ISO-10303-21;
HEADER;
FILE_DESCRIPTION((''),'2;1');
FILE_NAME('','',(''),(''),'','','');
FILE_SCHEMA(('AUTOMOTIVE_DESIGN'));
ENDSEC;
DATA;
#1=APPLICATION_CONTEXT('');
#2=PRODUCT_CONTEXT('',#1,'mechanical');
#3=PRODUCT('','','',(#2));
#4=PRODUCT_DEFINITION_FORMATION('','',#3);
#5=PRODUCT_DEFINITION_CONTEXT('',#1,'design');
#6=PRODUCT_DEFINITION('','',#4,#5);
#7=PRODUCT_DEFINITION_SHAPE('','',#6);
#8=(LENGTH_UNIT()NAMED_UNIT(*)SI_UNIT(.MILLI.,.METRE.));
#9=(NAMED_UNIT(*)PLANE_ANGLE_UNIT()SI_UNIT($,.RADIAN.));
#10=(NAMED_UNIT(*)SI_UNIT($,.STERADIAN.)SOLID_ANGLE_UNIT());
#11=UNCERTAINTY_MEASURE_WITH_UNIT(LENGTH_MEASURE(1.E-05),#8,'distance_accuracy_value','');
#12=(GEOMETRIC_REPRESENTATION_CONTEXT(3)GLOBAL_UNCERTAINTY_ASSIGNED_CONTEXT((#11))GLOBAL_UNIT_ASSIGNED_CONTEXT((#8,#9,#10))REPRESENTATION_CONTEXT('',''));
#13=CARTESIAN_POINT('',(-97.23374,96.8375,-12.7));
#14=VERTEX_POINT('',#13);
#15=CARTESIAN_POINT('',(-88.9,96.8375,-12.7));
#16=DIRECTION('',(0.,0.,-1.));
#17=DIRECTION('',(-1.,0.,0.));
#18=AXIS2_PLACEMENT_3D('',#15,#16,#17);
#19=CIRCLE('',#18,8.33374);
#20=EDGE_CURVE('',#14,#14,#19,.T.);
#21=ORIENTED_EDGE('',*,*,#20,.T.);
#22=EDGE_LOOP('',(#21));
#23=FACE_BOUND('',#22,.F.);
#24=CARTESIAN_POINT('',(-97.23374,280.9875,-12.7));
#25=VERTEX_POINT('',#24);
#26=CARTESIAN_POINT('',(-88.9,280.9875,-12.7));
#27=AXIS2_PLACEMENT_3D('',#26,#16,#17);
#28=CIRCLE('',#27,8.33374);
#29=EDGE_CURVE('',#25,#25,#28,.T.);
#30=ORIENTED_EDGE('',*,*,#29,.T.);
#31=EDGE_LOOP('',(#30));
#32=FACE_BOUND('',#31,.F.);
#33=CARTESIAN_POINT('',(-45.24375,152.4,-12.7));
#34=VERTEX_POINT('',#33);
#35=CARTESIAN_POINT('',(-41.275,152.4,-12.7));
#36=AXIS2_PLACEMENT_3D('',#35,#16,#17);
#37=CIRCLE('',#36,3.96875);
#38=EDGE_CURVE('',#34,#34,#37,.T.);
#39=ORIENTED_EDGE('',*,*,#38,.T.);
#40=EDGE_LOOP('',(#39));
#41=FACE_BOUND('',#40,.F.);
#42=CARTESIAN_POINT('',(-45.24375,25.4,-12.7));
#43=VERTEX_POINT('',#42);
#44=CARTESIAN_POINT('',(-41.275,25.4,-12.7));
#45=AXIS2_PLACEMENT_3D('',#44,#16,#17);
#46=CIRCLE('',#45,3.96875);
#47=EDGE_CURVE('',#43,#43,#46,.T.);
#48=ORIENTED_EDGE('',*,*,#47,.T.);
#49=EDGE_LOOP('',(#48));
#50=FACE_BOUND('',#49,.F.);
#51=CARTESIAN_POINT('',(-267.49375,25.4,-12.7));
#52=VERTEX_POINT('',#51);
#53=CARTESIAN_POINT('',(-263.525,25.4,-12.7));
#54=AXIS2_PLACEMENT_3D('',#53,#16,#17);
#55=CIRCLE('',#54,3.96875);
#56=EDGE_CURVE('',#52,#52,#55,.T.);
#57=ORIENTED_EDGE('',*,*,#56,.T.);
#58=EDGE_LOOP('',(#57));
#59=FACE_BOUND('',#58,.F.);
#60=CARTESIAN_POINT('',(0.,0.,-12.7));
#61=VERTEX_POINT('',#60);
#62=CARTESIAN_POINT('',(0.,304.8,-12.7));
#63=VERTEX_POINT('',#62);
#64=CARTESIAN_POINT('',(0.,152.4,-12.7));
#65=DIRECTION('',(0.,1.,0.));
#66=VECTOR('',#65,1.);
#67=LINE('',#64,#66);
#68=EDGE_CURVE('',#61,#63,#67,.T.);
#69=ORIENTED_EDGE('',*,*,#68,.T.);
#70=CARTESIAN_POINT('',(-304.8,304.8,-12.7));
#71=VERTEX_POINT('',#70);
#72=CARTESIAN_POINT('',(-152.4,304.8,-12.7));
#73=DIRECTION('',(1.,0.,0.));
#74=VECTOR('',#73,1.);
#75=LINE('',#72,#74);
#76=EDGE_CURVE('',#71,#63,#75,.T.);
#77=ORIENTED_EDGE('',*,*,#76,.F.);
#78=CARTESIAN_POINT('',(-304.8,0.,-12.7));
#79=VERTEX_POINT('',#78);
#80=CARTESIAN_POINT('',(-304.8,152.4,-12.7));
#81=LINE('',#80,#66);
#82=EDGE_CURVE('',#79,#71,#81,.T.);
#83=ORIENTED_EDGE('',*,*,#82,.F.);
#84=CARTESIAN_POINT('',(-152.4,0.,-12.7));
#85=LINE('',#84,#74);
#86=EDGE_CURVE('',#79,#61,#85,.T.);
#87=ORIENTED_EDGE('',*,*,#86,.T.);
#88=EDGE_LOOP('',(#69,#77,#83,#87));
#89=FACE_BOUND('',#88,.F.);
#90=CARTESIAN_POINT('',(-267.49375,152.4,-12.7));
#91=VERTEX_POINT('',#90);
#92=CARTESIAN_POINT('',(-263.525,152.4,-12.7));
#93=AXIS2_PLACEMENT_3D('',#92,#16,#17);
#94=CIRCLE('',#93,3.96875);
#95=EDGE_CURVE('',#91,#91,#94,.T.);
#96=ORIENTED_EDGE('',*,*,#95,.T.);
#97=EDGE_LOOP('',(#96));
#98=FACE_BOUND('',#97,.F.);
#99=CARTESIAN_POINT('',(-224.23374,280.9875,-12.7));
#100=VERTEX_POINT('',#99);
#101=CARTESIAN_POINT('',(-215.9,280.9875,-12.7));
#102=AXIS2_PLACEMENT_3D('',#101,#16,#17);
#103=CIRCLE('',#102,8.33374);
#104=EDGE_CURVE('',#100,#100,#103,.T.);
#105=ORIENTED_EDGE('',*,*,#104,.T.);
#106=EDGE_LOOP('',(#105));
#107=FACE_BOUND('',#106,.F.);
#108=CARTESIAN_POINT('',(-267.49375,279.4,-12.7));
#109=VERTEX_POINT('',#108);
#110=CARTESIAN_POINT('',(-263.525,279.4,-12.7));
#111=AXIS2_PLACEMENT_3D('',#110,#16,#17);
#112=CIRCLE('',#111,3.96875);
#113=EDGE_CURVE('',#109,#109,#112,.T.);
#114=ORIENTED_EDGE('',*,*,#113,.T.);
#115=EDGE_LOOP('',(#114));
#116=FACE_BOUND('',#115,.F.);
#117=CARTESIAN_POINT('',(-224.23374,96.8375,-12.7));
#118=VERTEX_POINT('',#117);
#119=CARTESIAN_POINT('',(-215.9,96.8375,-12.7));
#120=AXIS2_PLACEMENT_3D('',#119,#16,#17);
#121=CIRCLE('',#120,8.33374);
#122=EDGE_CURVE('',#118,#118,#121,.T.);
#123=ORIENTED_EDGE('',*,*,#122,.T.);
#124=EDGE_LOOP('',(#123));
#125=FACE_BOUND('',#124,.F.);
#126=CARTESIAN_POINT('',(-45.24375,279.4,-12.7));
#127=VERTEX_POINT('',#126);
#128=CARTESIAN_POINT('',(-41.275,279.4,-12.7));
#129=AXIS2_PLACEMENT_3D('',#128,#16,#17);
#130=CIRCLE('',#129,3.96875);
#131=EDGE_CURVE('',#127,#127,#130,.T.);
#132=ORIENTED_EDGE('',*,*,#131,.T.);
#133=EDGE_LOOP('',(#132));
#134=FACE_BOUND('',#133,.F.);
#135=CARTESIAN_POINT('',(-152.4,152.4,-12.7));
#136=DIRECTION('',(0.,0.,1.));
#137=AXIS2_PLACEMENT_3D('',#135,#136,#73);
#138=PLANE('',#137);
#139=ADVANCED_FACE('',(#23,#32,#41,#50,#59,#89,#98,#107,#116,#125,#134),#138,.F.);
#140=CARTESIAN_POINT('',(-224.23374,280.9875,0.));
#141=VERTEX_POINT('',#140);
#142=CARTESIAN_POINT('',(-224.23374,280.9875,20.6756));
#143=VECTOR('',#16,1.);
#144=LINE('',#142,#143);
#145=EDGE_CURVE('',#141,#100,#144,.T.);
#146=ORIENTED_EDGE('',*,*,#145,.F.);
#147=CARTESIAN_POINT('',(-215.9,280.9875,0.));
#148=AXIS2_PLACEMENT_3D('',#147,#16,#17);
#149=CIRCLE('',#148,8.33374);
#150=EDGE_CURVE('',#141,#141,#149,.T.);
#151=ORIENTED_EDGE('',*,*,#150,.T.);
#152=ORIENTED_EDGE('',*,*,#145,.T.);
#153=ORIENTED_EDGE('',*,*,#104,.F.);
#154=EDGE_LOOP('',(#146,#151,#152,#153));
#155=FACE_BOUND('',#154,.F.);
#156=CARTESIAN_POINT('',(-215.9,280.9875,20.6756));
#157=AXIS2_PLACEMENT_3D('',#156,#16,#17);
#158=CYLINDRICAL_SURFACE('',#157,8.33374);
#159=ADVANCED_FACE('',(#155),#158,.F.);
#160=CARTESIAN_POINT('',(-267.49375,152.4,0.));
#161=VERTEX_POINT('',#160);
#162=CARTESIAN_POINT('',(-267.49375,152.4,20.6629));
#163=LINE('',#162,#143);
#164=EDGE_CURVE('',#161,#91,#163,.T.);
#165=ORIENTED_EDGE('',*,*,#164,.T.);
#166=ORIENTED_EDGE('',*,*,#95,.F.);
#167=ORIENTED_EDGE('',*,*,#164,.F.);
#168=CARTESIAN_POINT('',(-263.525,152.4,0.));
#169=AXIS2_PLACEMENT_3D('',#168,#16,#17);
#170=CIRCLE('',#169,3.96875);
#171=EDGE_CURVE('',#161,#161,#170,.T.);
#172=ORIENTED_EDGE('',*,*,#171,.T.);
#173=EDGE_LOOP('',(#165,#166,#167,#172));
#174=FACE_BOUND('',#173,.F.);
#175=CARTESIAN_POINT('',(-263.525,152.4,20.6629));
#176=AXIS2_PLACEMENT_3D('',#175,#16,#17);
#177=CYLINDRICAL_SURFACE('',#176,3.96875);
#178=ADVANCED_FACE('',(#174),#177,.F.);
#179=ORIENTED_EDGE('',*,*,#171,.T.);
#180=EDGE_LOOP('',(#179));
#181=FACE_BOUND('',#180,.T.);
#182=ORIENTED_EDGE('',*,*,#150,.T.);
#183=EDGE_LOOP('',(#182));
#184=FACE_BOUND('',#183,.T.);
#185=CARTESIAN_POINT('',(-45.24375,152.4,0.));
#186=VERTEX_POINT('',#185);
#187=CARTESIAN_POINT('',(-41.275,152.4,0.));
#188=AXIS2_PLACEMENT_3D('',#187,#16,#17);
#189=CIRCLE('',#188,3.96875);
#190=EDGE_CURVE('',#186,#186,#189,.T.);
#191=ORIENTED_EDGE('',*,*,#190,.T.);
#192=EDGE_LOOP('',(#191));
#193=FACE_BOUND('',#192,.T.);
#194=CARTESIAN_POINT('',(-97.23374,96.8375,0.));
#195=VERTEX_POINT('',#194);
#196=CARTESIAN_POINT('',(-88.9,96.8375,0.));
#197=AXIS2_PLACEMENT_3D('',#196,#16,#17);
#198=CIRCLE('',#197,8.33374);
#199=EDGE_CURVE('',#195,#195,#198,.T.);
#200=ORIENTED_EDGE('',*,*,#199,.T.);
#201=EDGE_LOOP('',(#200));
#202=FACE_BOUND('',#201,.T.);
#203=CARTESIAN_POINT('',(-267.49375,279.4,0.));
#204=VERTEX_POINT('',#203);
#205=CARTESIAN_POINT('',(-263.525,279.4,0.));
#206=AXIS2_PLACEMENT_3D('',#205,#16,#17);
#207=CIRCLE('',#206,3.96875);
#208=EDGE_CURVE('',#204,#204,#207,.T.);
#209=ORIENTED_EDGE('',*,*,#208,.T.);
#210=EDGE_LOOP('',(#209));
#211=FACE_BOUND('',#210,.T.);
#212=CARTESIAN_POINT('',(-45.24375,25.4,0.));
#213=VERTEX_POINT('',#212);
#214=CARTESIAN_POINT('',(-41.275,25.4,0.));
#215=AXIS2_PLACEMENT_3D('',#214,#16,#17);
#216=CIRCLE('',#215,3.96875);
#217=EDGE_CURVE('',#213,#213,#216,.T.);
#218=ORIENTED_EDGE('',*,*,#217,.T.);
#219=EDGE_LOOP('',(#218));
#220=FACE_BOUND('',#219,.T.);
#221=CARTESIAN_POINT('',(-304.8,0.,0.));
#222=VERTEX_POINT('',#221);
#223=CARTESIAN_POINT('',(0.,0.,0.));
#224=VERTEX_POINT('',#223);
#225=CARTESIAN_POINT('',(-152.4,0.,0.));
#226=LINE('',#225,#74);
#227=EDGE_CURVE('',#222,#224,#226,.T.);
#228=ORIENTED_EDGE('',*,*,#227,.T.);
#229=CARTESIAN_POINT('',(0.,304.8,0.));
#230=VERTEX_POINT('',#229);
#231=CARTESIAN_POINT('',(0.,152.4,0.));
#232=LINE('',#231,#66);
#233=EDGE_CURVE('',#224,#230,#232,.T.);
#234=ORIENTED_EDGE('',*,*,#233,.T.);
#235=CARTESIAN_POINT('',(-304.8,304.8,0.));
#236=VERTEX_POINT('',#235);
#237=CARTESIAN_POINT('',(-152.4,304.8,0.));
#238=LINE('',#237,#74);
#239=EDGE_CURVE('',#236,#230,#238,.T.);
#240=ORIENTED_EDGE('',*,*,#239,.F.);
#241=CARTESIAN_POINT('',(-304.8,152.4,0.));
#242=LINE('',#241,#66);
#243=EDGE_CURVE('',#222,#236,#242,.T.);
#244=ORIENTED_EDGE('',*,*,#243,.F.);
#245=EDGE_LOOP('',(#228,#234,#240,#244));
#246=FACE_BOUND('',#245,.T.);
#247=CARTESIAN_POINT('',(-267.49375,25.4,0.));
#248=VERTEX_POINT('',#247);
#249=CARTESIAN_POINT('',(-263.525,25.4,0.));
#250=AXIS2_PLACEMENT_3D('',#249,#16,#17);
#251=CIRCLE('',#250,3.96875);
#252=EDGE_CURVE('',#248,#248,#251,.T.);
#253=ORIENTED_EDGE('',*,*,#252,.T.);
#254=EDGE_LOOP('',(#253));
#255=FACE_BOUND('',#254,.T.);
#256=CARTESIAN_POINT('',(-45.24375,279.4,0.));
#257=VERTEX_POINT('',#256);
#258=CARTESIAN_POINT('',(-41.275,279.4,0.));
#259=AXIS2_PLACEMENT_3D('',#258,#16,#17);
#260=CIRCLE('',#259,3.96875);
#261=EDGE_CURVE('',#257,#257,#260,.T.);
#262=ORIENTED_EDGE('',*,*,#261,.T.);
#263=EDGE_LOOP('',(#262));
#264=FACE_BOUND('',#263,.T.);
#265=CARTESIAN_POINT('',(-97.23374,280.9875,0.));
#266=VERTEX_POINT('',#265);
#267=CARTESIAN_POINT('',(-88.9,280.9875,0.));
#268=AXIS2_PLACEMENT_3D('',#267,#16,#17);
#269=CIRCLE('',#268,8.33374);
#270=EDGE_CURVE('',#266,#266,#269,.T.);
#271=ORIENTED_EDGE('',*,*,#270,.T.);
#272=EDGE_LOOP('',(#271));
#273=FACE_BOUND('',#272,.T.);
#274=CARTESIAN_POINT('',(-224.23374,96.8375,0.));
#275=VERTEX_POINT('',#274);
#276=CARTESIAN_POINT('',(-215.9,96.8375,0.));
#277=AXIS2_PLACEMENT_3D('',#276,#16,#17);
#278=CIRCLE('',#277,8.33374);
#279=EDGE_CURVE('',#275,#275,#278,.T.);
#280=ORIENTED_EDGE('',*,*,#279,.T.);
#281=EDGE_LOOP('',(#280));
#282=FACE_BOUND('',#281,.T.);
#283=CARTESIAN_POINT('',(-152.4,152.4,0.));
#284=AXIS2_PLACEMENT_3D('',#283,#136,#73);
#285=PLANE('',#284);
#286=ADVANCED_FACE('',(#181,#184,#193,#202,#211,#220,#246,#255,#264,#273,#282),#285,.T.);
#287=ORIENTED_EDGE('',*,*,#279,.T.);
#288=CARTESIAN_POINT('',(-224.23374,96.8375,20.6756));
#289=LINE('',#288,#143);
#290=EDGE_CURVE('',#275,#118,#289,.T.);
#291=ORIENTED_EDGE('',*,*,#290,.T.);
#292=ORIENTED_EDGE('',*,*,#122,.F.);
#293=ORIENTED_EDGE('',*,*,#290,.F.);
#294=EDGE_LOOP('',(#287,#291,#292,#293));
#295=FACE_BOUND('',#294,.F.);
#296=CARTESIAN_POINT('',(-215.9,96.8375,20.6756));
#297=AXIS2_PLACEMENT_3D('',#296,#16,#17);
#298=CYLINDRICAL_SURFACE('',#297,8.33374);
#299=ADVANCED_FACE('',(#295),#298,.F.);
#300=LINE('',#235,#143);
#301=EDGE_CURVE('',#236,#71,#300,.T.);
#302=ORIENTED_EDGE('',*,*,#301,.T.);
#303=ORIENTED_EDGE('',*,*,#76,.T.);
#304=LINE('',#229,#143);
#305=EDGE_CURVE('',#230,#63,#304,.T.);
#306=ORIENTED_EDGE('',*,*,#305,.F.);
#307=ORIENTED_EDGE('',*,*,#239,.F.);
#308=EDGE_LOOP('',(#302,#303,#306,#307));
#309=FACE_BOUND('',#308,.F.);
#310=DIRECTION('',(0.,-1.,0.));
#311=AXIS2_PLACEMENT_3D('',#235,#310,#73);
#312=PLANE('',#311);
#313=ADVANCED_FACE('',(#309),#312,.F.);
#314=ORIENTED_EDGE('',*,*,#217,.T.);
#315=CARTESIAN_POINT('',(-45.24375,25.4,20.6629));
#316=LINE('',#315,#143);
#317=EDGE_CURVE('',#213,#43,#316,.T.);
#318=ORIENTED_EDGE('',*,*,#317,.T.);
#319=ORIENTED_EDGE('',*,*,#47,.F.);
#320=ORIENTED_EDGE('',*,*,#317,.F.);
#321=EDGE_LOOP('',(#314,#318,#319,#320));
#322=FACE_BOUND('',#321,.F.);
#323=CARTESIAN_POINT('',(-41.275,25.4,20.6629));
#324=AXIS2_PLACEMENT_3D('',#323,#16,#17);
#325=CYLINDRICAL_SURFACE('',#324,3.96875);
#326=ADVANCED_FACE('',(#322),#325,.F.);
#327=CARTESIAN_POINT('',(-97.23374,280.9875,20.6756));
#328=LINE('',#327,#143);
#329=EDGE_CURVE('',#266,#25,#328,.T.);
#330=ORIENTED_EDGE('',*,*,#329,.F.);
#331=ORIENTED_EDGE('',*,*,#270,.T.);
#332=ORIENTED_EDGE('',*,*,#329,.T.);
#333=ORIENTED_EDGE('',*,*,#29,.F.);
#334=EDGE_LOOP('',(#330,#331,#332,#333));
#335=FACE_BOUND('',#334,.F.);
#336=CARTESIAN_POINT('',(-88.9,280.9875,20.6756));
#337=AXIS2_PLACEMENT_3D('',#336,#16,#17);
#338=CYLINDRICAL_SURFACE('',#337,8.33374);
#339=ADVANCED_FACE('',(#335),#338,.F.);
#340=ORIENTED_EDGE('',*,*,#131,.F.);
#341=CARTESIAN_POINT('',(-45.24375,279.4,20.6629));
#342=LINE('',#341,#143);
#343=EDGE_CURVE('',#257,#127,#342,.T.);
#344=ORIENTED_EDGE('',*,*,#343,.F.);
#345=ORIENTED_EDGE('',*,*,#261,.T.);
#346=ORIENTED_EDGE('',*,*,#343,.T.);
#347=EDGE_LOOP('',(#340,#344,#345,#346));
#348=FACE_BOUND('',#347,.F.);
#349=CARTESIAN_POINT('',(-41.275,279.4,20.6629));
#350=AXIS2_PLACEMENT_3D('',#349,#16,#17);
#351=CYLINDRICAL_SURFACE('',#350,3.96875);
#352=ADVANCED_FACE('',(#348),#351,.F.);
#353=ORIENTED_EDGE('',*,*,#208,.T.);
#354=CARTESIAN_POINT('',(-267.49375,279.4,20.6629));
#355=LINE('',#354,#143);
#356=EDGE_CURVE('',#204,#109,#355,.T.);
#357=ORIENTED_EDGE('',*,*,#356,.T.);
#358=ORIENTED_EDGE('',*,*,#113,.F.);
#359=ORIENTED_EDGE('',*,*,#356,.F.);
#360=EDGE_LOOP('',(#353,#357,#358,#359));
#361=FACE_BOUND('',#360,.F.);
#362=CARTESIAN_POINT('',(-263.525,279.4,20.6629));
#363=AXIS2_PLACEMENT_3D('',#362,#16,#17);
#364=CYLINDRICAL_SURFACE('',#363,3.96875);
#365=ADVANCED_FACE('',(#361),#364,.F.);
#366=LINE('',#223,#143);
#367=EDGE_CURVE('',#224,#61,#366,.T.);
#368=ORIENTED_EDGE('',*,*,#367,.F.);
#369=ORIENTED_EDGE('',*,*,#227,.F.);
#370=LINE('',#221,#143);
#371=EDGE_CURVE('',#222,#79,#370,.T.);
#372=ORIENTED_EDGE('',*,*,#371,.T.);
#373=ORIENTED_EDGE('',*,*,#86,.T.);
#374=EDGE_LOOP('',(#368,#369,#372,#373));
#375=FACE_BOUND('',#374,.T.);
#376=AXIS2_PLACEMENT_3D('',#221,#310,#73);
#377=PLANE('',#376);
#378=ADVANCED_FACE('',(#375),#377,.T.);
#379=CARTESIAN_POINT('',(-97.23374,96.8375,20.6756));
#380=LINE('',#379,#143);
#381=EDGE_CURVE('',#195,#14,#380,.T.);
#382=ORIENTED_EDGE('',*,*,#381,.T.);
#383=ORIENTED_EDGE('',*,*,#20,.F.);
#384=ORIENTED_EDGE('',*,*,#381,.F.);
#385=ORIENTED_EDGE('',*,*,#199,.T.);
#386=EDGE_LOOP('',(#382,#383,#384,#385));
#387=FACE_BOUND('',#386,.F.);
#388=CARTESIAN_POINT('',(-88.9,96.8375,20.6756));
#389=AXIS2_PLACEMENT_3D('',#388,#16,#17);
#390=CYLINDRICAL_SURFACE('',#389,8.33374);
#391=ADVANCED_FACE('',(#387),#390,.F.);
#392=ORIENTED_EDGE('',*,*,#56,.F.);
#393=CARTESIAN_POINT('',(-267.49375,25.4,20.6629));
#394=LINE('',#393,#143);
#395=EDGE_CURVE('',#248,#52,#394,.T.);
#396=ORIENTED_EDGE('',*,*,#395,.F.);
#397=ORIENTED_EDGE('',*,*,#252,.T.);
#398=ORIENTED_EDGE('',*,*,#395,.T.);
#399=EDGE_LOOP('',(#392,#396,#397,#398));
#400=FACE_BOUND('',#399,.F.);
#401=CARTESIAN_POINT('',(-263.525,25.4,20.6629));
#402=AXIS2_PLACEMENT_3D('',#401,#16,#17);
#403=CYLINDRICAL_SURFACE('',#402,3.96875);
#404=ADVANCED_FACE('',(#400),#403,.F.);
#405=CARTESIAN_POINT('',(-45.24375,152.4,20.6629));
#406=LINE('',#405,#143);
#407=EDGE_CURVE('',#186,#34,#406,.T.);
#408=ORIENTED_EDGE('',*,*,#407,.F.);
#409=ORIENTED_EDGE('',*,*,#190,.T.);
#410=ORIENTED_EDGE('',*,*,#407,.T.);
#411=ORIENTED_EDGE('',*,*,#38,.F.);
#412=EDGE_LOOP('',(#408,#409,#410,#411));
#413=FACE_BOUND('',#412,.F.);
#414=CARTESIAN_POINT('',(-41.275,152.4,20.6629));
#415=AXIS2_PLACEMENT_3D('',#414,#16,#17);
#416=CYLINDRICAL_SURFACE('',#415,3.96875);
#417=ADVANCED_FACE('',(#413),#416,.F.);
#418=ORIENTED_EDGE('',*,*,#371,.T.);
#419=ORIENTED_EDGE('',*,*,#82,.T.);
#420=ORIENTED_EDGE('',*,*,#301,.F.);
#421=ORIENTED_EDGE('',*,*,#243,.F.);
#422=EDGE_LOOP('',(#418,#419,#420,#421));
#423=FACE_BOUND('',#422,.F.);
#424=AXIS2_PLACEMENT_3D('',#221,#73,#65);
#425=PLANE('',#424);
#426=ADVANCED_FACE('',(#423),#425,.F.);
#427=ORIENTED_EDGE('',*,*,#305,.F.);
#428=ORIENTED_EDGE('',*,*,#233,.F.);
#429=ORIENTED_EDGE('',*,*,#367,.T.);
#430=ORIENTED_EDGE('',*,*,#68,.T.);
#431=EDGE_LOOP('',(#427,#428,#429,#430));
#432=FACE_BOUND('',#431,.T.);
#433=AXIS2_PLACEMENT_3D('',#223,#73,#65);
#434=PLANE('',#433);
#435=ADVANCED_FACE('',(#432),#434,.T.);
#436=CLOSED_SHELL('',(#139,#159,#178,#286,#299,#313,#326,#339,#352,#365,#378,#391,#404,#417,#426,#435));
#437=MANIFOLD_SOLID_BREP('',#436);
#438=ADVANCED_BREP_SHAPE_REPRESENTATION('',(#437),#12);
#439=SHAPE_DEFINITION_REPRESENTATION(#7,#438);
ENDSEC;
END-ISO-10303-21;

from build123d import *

# Parameters (mm, degrees)
F0_W     = 304.8
F0_H     = 304.8
F1_DEPTH = 12.7
F2_D     = 7.9375
F2_DEPTH = 20.6629
F2_TIP   = 2.3846655818
F3_D     = 16.66748
F3_DEPTH = 20.6756
F3_TIP   = 5.0074161752


with BuildPart() as f1:
    # F0 (on Top) → F1 (new body)
    with BuildSketch(Plane.XY):
        with Locations((-152.4, 152.4)):
            Rectangle(F0_W, F0_H)
    extrude(amount=-F1_DEPTH)

    # F2
    with Locations(Plane.XY):
        with Locations((-263.525, 279.4), (-263.525, 152.4), (-263.525, 25.4), (-41.275, 279.4), (-41.275, 152.4), (-41.275, 25.4)):
            Hole(F2_D / 2, depth=F2_DEPTH)
            with Locations((0, 0, -(F2_DEPTH + F2_TIP / 2))):  # 118° drill point
                Cone(0, F2_D / 2, F2_TIP, mode=Mode.SUBTRACT)

    # F3
    with Locations(Plane.XY):
        with Locations((-215.9, 280.9875), (-88.9, 280.9875), (-88.9, 96.8375), (-215.9, 96.8375)):
            Hole(F3_D / 2, depth=F3_DEPTH)
            with Locations((0, 0, -(F3_DEPTH + F3_TIP / 2))):  # 118° drill point
                Cone(0, F3_D / 2, F3_TIP, mode=Mode.SUBTRACT)


solid = f1.part
